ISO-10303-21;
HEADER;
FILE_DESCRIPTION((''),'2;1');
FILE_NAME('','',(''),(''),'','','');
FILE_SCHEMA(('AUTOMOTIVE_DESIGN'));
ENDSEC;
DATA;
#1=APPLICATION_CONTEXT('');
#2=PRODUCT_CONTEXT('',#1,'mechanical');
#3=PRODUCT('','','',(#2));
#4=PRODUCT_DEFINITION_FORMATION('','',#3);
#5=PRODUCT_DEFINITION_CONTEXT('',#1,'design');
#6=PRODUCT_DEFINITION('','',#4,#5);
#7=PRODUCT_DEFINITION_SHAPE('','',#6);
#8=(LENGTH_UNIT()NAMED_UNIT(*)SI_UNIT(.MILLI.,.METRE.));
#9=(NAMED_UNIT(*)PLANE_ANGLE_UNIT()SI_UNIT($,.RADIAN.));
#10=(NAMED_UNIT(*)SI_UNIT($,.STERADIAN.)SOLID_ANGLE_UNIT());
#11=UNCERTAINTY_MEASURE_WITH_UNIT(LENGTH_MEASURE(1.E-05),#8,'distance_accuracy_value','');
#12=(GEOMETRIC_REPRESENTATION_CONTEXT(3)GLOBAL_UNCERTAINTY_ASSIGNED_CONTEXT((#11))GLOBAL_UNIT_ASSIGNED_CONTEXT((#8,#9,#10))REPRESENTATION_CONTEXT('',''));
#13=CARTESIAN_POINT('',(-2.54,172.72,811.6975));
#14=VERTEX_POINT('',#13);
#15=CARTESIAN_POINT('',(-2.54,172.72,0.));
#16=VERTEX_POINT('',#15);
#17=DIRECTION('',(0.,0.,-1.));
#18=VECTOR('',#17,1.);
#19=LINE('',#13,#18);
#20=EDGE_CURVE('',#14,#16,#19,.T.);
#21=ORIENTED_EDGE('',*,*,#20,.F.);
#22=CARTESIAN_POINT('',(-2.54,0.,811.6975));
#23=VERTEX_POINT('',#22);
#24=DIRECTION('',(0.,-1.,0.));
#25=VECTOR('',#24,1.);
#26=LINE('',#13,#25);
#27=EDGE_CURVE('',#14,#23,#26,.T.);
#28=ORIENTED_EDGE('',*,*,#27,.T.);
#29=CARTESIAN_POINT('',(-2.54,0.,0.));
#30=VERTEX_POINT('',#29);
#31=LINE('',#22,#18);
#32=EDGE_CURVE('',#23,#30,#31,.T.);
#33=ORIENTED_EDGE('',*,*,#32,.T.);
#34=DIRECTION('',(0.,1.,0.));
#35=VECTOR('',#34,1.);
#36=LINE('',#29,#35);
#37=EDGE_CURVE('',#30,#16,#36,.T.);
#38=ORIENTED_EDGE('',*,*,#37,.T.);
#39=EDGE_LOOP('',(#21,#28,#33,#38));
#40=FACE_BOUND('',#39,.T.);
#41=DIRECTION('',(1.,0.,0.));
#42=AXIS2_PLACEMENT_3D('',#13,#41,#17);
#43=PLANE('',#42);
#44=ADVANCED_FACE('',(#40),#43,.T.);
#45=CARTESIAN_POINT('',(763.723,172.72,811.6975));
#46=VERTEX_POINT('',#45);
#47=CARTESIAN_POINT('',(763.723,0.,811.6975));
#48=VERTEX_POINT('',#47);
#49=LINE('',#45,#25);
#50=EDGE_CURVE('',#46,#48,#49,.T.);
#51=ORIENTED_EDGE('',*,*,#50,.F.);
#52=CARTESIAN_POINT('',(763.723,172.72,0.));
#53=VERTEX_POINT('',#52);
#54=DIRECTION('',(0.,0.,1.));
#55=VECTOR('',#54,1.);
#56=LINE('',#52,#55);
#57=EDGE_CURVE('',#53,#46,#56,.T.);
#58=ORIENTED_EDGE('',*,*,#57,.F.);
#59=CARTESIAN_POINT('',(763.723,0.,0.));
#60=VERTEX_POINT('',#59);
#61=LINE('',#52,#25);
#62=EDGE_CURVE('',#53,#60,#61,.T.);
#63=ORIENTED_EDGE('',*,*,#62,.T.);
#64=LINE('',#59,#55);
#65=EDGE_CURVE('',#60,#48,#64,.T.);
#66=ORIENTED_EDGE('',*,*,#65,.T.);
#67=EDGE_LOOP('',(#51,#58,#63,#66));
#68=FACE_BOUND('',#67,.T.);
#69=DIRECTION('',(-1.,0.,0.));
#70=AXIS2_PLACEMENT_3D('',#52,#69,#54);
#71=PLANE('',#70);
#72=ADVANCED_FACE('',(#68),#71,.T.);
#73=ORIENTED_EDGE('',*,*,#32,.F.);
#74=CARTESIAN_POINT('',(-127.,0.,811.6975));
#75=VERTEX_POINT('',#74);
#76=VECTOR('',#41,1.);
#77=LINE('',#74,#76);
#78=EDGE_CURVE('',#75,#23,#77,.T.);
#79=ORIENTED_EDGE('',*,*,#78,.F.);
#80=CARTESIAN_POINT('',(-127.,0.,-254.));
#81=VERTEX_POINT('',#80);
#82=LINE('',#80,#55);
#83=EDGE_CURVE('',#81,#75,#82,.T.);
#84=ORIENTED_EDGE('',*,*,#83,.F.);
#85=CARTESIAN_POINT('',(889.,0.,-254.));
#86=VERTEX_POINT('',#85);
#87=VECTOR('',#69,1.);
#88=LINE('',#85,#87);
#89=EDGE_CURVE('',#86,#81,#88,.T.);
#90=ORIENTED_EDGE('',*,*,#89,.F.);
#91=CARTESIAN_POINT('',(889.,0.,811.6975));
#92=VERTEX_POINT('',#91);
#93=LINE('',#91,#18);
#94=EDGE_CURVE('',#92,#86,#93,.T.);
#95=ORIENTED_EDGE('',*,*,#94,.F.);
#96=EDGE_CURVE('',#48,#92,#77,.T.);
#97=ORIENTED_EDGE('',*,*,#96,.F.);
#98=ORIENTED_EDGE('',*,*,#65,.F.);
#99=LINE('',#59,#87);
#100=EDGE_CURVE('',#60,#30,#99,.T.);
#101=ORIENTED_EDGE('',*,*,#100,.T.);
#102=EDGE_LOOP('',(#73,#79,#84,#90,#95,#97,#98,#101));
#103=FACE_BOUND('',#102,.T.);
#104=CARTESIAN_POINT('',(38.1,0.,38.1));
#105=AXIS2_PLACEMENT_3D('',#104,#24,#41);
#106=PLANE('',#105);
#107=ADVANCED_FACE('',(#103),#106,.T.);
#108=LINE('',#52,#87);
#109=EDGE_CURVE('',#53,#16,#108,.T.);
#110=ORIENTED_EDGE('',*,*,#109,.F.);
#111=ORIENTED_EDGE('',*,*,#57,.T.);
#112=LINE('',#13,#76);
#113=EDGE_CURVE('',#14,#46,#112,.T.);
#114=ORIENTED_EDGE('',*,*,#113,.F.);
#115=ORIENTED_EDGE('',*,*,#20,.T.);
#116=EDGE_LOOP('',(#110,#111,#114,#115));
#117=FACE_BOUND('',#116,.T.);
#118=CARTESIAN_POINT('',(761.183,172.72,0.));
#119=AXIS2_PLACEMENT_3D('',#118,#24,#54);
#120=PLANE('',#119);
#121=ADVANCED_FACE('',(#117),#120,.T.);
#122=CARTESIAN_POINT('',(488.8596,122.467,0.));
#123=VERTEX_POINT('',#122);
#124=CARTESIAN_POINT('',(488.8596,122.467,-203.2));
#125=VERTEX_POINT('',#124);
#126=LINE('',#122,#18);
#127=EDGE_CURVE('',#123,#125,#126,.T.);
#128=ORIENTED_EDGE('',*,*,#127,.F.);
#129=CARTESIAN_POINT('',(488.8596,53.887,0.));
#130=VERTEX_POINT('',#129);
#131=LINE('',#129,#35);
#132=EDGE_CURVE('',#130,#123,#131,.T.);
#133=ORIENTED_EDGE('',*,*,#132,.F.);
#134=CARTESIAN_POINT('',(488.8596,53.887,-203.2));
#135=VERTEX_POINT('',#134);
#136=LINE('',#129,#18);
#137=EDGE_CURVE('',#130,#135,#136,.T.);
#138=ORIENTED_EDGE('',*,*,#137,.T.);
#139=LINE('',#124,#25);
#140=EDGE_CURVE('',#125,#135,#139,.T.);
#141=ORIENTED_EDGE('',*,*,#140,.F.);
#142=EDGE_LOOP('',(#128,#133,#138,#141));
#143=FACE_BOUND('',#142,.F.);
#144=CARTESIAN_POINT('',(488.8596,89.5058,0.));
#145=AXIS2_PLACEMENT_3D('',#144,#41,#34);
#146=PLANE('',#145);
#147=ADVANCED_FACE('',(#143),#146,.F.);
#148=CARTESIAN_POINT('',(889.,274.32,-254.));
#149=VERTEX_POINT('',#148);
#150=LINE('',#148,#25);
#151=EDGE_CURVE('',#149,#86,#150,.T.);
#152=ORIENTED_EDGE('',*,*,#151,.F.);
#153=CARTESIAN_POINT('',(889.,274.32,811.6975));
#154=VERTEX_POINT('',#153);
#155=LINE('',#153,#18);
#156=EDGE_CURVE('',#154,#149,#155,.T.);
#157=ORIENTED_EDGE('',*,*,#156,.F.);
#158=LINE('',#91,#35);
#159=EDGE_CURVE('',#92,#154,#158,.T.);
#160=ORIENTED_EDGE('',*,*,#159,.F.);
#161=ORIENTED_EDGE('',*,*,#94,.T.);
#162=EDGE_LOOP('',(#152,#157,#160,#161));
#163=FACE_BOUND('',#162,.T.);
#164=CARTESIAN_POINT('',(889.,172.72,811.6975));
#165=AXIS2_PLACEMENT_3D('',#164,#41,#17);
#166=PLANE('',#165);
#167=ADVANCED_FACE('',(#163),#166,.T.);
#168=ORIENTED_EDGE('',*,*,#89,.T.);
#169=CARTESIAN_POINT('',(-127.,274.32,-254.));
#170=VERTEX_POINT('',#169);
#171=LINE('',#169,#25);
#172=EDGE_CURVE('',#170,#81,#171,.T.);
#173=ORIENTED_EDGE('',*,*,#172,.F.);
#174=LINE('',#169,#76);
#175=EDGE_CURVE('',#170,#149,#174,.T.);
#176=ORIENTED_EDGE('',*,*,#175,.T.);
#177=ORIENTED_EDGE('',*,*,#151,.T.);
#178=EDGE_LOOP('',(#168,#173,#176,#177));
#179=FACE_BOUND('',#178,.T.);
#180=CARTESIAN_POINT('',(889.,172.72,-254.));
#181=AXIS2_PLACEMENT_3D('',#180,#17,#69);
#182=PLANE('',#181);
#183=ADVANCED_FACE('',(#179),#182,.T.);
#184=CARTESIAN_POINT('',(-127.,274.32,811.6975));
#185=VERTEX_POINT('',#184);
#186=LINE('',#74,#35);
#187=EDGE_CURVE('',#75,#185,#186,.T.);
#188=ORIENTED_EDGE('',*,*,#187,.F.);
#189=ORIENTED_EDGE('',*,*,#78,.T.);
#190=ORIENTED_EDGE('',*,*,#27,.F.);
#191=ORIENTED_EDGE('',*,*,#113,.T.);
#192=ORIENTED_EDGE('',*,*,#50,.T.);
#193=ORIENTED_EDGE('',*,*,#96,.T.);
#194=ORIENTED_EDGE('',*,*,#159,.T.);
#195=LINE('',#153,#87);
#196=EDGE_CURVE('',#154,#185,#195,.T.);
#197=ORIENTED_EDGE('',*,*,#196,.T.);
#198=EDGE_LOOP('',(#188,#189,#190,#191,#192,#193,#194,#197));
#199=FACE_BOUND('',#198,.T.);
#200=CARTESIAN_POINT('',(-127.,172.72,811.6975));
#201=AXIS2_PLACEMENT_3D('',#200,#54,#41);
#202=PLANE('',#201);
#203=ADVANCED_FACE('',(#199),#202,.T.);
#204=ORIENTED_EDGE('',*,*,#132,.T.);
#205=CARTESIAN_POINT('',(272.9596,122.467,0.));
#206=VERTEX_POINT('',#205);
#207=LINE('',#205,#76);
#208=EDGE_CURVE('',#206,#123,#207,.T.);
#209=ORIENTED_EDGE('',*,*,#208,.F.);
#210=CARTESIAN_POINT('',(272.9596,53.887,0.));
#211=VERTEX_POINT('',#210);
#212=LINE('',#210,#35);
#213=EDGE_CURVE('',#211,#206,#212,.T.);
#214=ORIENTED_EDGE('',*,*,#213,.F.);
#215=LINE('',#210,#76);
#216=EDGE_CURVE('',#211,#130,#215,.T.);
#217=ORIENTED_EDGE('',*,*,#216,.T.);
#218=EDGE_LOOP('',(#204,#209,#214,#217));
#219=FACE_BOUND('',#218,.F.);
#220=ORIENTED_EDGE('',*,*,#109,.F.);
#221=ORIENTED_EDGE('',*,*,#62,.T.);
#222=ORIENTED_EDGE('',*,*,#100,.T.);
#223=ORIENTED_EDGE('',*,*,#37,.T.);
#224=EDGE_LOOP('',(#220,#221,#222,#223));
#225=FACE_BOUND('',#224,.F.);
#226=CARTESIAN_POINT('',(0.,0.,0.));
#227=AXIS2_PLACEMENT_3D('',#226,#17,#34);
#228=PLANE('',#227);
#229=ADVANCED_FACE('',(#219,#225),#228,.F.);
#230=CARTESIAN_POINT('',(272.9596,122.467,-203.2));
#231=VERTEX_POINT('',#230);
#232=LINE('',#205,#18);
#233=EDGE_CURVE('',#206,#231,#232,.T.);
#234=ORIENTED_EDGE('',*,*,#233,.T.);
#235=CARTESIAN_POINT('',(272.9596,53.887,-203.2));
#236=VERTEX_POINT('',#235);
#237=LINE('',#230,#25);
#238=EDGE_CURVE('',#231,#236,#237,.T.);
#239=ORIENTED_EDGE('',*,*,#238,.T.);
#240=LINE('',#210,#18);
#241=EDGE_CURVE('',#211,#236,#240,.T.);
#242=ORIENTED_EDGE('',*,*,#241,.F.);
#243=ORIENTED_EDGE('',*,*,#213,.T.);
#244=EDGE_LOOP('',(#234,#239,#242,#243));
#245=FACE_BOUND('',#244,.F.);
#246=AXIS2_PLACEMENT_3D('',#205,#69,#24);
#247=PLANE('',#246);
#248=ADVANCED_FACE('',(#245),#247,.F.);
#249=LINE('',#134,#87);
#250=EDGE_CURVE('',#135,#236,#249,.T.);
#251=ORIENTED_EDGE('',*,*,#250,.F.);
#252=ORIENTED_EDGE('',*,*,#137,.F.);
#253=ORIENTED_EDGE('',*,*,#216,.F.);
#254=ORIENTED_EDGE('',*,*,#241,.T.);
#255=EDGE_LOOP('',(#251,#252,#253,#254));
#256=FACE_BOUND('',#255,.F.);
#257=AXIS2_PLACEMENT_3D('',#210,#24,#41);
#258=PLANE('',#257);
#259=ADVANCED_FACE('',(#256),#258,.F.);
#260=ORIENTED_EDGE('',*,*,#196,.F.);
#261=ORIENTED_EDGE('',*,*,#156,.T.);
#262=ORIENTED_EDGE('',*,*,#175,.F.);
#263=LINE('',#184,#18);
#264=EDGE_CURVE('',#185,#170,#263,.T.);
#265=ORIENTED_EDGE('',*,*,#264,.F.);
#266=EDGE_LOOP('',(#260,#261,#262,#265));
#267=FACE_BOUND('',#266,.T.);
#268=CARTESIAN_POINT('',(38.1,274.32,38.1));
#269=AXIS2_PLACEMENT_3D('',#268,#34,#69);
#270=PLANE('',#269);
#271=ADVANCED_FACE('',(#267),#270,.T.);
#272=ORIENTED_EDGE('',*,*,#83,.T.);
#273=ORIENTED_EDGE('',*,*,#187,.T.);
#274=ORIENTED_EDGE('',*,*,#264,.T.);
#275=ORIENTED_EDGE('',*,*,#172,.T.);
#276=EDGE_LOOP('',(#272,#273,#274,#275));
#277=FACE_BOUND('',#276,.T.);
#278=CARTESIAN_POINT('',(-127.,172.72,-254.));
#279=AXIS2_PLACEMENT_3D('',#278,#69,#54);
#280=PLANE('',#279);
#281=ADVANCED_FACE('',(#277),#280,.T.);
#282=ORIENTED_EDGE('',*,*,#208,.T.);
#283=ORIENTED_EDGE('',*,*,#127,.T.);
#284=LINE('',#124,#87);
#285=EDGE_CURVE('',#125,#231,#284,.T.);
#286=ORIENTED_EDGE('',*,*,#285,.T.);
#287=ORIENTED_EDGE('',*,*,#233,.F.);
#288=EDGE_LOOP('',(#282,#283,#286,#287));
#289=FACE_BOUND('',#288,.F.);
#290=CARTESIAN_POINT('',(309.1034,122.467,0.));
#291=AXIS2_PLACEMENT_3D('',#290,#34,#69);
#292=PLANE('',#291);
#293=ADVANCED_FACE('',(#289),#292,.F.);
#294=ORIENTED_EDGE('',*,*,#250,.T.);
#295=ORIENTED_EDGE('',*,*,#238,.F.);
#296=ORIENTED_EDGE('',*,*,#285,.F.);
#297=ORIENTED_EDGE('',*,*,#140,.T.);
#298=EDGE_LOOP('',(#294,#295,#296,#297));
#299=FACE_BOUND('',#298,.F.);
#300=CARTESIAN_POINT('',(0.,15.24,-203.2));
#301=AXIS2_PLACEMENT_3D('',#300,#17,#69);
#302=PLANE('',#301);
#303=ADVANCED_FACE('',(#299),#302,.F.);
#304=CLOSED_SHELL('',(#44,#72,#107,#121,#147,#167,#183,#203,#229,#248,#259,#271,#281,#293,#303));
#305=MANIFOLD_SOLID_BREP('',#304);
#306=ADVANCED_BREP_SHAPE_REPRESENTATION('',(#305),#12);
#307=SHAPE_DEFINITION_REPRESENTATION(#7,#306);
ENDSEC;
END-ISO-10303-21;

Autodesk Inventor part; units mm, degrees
ref_plane "YZ Plane" through (0, 0, 0) normal (1, 0, 0) x (0, 1, 0)
ref_plane "XZ Plane" through (0, 0, 0) normal (0, 1, 0) x (-1, 0, 0)
ref_plane "XY Plane" through (0, 0, 0) normal (0, 0, 1) x (1, 0, 0)
sketch "Sketch1" plane through (38.1, 172.72, 38.1) normal (0, 1, 0) x (-1, 0, 0)
  line L0 (38.1, 773.5975) -> (-850.9, 773.5975)
  line L1 (38.1, 773.5975) -> (165.1, 773.5975)
  line L2 (165.1, 773.5975) -> (165.1, -38.1)
  line L3 (165.1, -38.1) -> (165.1, -241.3)
  line L4 (165.1, -241.3) -> (-850.9, -241.3)
  line L5 (-850.9, -241.3) -> (-850.9, 773.5975)
  line L6 (165.1, -241.3) -> (165.1, -292.1)
  line L7 (165.1, -292.1) -> (-850.9, -292.1)
  line L8 (-850.9, -292.1) -> (-850.9, -241.3)
  point P0 (38.1, -38.1)
  dimension "d0" = 889
  dimension "d1" = 127
  dimension "d2" = 203.2
  dimension "d3" = 1014.8975
  dimension "d4" = 811.6975
  dimension "d9" = 50.8
sketch "Sketch2" plane through (0, 15.24, 0) normal (0, 0, -1) x (-1, 0, 0)
  line L0 (-309.1034, 107.227) -> (-309.1034, 38.647)
  line L1 (-272.9596, 74.2658) -> (-488.8596, 74.2658)
  line L2 (-272.9596, 38.647) -> (-488.8596, 38.647)
  line L3 (-488.8596, 38.647) -> (-488.8596, 107.227)
  line L4 (-488.8596, 107.227) -> (-272.9596, 107.227)
  line L5 (-272.9596, 107.227) -> (-272.9596, 38.647)
  point P0 (0, -15.24)
  dimension "d5" = 215.9
  dimension "d6" = 68.58
ref_plane "Work Plane1" through (272.9596, 122.4669, 0) normal (0, 1, 0) x (1, 0, 0)
sketch "Sketch3" plane through (272.9596, 122.4669, 0) normal (0, 1, 0) x (1, 0, 0)
  point P0 (-272.9596, 0)
extrude "Extrusion2" add sketch "Sketch1" along normal blind 101.6
sketch "Sketch4" plane through (38.1, 172.72, 38.1) normal (0, -1, 0) x (1, 0, 0)
  line L0 (-165.1, -292.1) -> (-165.1, 773.5975) projected
  line L1 (-165.1, -292.1) -> (-165.1, 773.5975)
  line L2 (-165.1, 773.5975) -> (-38.1, 773.5975)
  line L3 (-165.1, 773.5975) -> (850.9, 773.5975) projected
  line L4 (-38.1, -38.1) -> (-38.1, 773.5975)
  line L5 (-38.1, -38.1) -> (723.083, -38.1)
  line L6 (723.083, -38.1) -> (723.083, 773.5975)
  line L7 (723.083, 773.5975) -> (850.9, 773.5975)
  line L8 (850.9, 773.5975) -> (850.9, -292.1) projected
  line L9 (850.9, 773.5975) -> (850.9, -292.1)
  line L10 (850.9, -292.1) -> (-165.1, -292.1) projected
  line L11 (850.9, -292.1) -> (-165.1, -292.1)
extrude "Extrusion3" add sketch "Sketch4" along normal blind 172.72 contours L0 L2 L4 L5 L6 L3 L8 L10
extrude "Extrusion4" cut sketch "Sketch2" along normal blind 203.2
sketch "Sketch5" plane through (761.183, 172.72, 0) normal (-1, 0, 0) x (0, 0, 1)
  line L0 (0, -172.72) -> (811.6975, -172.72) projected
  line L1 (0, 0) -> (0, -172.72) projected
  line L2 (811.6975, -172.72) -> (0, -172.72)
  line L3 (0, -172.72) -> (0, 0)
  line L4 (0, 0) -> (811.6975, 0)
  line L5 (811.6975, 0) -> (811.6975, -172.72)
  point P0 (0, -172.72)
extrude "Extrusion5" cut sketch "Sketch5" against normal blind 2.54
sketch "Sketch6" plane through (0, 172.72, 811.6975) normal (1, 0, 0) x (0, 0, -1)
  line L0 (0, -172.72) -> (1065.6975, -172.72) projected
  line L1 (0, 0) -> (811.6975, 0) projected
  line L2 (0, -172.72) -> (811.6975, -172.72)
  line L3 (811.6975, -172.72) -> (811.6975, 0)
  line L4 (811.6975, 0) -> (0, 0)
  line L5 (0, 0) -> (0, -172.72)
  point P0 (811.6975, -172.72)
extrude "Extrusion6" cut sketch "Sketch6" against normal blind 2.54
properties part number "ExpansionCard1"
